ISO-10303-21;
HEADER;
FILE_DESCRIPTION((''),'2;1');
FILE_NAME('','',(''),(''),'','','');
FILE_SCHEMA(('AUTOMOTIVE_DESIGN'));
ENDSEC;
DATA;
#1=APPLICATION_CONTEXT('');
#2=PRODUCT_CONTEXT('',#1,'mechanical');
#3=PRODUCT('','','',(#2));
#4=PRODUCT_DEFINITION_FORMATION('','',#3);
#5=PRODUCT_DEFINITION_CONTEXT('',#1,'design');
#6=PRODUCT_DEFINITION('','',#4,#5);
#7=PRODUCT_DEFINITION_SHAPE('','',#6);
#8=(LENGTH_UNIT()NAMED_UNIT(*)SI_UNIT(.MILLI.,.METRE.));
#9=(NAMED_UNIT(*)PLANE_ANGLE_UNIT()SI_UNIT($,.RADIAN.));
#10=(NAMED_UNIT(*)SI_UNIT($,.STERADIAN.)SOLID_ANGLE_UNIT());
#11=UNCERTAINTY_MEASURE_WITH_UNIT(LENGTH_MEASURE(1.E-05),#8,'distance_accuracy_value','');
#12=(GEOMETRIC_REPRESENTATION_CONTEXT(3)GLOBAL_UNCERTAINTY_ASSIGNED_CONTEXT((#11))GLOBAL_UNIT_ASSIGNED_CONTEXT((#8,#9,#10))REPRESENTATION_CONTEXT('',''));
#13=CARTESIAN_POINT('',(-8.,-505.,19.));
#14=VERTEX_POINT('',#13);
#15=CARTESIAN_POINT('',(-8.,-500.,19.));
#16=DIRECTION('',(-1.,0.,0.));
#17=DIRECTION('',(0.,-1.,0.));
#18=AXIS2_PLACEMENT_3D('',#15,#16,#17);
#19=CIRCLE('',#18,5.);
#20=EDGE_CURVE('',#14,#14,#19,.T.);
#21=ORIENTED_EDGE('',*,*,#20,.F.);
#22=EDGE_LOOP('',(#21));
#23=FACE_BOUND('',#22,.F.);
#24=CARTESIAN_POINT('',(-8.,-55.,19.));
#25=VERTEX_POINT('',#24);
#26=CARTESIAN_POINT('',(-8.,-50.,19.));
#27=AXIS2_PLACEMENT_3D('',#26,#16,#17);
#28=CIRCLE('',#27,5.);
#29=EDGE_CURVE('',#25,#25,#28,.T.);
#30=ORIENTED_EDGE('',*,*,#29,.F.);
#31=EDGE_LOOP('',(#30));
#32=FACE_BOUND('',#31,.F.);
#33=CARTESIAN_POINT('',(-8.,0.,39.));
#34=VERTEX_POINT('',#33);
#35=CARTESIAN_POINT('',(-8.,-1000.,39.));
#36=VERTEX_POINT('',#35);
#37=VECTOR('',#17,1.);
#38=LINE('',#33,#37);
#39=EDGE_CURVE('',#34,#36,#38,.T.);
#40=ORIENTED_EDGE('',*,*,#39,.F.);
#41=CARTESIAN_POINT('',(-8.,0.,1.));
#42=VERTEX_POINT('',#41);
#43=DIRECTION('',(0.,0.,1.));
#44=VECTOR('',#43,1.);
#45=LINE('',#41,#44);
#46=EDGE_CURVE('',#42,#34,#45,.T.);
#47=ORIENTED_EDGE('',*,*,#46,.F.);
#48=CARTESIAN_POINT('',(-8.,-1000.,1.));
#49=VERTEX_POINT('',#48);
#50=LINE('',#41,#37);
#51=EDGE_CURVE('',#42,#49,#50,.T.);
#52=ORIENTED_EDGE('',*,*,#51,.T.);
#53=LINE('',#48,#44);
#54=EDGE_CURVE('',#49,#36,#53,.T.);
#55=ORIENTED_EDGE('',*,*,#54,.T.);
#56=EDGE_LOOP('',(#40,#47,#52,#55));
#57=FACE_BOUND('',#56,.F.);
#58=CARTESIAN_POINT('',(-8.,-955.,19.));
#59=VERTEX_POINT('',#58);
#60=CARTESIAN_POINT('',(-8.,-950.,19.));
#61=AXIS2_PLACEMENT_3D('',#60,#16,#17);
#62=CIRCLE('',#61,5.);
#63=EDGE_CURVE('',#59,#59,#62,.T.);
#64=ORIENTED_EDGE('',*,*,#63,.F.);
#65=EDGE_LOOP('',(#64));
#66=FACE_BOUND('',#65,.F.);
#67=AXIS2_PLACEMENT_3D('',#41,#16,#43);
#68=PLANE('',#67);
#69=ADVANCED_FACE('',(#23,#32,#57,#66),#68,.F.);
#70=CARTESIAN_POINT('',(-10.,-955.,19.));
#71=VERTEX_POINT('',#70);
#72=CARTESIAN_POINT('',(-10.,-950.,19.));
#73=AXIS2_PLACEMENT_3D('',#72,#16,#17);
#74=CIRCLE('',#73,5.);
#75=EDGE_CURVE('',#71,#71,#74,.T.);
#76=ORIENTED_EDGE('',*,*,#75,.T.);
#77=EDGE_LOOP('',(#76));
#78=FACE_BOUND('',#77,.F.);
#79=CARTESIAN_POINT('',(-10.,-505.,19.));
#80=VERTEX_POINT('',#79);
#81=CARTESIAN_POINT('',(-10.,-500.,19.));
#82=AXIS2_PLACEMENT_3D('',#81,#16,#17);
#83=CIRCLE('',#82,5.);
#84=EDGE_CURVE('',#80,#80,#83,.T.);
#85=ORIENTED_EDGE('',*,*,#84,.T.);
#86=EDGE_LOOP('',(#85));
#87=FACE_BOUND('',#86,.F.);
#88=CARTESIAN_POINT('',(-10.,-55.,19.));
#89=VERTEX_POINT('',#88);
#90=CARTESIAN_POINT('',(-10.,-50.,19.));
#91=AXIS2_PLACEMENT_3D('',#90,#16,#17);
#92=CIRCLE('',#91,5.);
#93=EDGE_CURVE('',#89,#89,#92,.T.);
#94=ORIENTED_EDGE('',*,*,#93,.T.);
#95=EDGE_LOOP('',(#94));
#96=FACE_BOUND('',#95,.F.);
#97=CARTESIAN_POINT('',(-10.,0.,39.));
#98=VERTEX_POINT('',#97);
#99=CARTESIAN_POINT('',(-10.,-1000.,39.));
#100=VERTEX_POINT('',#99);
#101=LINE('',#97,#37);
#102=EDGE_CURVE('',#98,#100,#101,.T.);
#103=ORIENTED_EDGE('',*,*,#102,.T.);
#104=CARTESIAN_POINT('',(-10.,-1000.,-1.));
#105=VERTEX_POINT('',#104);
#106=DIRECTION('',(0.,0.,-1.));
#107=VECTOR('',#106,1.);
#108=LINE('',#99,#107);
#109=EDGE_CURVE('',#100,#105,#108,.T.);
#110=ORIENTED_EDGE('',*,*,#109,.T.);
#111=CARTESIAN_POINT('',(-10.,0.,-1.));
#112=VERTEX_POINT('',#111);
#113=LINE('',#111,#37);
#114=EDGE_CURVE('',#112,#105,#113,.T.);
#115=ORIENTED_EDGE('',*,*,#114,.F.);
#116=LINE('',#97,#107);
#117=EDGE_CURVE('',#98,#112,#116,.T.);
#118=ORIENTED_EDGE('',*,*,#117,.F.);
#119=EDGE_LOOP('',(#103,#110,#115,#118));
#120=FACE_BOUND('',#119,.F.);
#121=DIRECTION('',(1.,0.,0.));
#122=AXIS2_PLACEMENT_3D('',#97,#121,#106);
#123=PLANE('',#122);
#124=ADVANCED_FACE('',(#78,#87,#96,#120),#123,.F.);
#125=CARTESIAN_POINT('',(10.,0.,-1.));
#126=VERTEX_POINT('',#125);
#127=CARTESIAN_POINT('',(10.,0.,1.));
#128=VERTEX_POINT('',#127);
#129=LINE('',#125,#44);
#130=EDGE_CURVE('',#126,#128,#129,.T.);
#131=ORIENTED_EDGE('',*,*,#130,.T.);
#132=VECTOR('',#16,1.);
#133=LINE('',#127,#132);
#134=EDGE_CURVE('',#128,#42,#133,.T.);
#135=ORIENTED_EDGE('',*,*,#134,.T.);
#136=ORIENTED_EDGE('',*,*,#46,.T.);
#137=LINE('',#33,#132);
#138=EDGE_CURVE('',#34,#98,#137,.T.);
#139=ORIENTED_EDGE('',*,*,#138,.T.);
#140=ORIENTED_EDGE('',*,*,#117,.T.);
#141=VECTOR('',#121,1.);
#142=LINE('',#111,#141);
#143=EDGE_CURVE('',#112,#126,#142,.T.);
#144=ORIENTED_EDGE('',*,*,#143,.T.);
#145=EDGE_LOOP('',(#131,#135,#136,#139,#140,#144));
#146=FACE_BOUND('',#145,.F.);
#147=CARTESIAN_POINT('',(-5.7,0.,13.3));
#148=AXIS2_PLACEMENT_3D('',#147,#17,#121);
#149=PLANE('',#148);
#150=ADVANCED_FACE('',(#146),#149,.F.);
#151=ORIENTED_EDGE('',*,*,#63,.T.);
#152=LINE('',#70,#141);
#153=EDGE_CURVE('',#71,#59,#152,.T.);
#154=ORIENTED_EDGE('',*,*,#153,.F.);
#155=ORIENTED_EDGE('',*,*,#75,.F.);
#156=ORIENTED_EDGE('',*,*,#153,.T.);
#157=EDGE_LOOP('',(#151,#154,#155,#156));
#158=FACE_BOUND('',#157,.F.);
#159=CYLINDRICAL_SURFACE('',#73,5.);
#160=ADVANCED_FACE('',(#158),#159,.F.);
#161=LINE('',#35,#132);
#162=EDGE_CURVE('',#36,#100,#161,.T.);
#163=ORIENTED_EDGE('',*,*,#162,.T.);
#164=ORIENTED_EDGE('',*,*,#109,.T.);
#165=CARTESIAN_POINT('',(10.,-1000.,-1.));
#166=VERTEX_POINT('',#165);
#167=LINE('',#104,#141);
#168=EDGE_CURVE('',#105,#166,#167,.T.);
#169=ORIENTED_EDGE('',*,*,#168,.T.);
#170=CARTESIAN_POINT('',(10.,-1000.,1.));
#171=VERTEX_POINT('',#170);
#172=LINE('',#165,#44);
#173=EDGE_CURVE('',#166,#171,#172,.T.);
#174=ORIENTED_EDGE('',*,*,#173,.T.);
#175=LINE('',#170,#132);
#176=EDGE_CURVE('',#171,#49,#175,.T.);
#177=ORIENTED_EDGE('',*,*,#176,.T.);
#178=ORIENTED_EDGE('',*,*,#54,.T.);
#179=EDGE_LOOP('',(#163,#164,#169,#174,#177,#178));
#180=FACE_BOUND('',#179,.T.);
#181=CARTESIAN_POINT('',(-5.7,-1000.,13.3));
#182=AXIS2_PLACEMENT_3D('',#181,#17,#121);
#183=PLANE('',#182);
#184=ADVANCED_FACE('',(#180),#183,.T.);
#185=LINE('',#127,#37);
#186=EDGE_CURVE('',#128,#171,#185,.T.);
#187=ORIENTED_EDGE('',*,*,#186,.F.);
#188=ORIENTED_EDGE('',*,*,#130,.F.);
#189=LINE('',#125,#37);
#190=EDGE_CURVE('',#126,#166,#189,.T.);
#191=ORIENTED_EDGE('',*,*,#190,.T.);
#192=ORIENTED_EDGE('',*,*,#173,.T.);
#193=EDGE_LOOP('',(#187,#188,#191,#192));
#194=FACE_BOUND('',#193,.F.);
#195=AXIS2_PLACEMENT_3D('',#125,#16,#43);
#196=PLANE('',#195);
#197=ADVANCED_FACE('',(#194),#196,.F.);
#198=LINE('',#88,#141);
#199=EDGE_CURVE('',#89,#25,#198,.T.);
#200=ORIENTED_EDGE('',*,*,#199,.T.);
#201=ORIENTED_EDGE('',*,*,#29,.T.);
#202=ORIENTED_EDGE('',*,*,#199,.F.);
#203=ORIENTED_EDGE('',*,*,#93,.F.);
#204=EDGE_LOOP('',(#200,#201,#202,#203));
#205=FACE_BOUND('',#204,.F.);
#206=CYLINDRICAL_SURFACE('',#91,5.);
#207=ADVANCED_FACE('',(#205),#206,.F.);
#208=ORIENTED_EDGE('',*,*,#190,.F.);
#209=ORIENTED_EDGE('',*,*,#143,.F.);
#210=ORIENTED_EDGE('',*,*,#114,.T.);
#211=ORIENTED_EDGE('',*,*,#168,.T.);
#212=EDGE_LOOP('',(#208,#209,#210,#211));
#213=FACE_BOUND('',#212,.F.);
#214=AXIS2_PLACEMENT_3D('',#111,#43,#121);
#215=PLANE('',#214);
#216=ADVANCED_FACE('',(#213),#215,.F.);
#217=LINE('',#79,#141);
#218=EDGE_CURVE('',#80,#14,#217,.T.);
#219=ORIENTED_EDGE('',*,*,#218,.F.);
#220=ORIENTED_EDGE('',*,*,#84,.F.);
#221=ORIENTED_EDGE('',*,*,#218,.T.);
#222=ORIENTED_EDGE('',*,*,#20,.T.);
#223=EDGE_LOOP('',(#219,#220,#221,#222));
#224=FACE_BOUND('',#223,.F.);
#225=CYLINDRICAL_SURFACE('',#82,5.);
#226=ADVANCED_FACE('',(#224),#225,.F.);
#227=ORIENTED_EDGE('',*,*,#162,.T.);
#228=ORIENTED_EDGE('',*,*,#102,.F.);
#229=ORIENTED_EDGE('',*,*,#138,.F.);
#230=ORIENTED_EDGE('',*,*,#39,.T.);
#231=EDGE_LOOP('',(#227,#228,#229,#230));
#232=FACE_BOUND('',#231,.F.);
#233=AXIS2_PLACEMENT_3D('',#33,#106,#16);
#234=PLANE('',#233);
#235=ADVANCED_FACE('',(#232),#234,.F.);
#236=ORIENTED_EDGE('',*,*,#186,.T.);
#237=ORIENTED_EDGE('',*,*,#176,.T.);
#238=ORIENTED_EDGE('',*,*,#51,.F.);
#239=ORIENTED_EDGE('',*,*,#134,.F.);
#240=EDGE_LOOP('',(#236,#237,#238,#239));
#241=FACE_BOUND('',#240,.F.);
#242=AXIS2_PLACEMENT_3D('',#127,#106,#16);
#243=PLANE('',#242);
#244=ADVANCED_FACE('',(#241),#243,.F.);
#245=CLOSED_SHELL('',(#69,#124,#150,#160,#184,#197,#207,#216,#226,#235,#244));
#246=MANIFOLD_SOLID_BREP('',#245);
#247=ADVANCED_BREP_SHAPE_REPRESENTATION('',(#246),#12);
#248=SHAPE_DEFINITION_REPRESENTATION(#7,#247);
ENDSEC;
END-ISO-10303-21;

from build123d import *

# Parameters (mm, degrees)
F1_DEPTH = 1000
F2_R     = 5
F3_DEPTH = 25


with BuildPart() as f1:
    # F0 (on Front) → F1 (new body)
    with BuildSketch(Plane.XZ):
        Polygon((10, 1), (-8, 1), (-8, 39), (-10, 39), (-10, 1), (-10, -1), (-8, -1), (10, -1), align=None)
    extrude(amount=F1_DEPTH)

    # F2 (on face) → F3 (cut)
    with BuildSketch(Plane(origin=(-10, 0, 0), x_dir=(0, -1, 0), z_dir=(-1, 0, 0))):
        with Locations((50, 19)):
            Circle(F2_R)
        with Locations((950, 19)):
            Circle(F2_R)
        with Locations((500, 19)):
            Circle(F2_R)
    extrude(amount=-F3_DEPTH, mode=Mode.SUBTRACT)


solid = f1.part
